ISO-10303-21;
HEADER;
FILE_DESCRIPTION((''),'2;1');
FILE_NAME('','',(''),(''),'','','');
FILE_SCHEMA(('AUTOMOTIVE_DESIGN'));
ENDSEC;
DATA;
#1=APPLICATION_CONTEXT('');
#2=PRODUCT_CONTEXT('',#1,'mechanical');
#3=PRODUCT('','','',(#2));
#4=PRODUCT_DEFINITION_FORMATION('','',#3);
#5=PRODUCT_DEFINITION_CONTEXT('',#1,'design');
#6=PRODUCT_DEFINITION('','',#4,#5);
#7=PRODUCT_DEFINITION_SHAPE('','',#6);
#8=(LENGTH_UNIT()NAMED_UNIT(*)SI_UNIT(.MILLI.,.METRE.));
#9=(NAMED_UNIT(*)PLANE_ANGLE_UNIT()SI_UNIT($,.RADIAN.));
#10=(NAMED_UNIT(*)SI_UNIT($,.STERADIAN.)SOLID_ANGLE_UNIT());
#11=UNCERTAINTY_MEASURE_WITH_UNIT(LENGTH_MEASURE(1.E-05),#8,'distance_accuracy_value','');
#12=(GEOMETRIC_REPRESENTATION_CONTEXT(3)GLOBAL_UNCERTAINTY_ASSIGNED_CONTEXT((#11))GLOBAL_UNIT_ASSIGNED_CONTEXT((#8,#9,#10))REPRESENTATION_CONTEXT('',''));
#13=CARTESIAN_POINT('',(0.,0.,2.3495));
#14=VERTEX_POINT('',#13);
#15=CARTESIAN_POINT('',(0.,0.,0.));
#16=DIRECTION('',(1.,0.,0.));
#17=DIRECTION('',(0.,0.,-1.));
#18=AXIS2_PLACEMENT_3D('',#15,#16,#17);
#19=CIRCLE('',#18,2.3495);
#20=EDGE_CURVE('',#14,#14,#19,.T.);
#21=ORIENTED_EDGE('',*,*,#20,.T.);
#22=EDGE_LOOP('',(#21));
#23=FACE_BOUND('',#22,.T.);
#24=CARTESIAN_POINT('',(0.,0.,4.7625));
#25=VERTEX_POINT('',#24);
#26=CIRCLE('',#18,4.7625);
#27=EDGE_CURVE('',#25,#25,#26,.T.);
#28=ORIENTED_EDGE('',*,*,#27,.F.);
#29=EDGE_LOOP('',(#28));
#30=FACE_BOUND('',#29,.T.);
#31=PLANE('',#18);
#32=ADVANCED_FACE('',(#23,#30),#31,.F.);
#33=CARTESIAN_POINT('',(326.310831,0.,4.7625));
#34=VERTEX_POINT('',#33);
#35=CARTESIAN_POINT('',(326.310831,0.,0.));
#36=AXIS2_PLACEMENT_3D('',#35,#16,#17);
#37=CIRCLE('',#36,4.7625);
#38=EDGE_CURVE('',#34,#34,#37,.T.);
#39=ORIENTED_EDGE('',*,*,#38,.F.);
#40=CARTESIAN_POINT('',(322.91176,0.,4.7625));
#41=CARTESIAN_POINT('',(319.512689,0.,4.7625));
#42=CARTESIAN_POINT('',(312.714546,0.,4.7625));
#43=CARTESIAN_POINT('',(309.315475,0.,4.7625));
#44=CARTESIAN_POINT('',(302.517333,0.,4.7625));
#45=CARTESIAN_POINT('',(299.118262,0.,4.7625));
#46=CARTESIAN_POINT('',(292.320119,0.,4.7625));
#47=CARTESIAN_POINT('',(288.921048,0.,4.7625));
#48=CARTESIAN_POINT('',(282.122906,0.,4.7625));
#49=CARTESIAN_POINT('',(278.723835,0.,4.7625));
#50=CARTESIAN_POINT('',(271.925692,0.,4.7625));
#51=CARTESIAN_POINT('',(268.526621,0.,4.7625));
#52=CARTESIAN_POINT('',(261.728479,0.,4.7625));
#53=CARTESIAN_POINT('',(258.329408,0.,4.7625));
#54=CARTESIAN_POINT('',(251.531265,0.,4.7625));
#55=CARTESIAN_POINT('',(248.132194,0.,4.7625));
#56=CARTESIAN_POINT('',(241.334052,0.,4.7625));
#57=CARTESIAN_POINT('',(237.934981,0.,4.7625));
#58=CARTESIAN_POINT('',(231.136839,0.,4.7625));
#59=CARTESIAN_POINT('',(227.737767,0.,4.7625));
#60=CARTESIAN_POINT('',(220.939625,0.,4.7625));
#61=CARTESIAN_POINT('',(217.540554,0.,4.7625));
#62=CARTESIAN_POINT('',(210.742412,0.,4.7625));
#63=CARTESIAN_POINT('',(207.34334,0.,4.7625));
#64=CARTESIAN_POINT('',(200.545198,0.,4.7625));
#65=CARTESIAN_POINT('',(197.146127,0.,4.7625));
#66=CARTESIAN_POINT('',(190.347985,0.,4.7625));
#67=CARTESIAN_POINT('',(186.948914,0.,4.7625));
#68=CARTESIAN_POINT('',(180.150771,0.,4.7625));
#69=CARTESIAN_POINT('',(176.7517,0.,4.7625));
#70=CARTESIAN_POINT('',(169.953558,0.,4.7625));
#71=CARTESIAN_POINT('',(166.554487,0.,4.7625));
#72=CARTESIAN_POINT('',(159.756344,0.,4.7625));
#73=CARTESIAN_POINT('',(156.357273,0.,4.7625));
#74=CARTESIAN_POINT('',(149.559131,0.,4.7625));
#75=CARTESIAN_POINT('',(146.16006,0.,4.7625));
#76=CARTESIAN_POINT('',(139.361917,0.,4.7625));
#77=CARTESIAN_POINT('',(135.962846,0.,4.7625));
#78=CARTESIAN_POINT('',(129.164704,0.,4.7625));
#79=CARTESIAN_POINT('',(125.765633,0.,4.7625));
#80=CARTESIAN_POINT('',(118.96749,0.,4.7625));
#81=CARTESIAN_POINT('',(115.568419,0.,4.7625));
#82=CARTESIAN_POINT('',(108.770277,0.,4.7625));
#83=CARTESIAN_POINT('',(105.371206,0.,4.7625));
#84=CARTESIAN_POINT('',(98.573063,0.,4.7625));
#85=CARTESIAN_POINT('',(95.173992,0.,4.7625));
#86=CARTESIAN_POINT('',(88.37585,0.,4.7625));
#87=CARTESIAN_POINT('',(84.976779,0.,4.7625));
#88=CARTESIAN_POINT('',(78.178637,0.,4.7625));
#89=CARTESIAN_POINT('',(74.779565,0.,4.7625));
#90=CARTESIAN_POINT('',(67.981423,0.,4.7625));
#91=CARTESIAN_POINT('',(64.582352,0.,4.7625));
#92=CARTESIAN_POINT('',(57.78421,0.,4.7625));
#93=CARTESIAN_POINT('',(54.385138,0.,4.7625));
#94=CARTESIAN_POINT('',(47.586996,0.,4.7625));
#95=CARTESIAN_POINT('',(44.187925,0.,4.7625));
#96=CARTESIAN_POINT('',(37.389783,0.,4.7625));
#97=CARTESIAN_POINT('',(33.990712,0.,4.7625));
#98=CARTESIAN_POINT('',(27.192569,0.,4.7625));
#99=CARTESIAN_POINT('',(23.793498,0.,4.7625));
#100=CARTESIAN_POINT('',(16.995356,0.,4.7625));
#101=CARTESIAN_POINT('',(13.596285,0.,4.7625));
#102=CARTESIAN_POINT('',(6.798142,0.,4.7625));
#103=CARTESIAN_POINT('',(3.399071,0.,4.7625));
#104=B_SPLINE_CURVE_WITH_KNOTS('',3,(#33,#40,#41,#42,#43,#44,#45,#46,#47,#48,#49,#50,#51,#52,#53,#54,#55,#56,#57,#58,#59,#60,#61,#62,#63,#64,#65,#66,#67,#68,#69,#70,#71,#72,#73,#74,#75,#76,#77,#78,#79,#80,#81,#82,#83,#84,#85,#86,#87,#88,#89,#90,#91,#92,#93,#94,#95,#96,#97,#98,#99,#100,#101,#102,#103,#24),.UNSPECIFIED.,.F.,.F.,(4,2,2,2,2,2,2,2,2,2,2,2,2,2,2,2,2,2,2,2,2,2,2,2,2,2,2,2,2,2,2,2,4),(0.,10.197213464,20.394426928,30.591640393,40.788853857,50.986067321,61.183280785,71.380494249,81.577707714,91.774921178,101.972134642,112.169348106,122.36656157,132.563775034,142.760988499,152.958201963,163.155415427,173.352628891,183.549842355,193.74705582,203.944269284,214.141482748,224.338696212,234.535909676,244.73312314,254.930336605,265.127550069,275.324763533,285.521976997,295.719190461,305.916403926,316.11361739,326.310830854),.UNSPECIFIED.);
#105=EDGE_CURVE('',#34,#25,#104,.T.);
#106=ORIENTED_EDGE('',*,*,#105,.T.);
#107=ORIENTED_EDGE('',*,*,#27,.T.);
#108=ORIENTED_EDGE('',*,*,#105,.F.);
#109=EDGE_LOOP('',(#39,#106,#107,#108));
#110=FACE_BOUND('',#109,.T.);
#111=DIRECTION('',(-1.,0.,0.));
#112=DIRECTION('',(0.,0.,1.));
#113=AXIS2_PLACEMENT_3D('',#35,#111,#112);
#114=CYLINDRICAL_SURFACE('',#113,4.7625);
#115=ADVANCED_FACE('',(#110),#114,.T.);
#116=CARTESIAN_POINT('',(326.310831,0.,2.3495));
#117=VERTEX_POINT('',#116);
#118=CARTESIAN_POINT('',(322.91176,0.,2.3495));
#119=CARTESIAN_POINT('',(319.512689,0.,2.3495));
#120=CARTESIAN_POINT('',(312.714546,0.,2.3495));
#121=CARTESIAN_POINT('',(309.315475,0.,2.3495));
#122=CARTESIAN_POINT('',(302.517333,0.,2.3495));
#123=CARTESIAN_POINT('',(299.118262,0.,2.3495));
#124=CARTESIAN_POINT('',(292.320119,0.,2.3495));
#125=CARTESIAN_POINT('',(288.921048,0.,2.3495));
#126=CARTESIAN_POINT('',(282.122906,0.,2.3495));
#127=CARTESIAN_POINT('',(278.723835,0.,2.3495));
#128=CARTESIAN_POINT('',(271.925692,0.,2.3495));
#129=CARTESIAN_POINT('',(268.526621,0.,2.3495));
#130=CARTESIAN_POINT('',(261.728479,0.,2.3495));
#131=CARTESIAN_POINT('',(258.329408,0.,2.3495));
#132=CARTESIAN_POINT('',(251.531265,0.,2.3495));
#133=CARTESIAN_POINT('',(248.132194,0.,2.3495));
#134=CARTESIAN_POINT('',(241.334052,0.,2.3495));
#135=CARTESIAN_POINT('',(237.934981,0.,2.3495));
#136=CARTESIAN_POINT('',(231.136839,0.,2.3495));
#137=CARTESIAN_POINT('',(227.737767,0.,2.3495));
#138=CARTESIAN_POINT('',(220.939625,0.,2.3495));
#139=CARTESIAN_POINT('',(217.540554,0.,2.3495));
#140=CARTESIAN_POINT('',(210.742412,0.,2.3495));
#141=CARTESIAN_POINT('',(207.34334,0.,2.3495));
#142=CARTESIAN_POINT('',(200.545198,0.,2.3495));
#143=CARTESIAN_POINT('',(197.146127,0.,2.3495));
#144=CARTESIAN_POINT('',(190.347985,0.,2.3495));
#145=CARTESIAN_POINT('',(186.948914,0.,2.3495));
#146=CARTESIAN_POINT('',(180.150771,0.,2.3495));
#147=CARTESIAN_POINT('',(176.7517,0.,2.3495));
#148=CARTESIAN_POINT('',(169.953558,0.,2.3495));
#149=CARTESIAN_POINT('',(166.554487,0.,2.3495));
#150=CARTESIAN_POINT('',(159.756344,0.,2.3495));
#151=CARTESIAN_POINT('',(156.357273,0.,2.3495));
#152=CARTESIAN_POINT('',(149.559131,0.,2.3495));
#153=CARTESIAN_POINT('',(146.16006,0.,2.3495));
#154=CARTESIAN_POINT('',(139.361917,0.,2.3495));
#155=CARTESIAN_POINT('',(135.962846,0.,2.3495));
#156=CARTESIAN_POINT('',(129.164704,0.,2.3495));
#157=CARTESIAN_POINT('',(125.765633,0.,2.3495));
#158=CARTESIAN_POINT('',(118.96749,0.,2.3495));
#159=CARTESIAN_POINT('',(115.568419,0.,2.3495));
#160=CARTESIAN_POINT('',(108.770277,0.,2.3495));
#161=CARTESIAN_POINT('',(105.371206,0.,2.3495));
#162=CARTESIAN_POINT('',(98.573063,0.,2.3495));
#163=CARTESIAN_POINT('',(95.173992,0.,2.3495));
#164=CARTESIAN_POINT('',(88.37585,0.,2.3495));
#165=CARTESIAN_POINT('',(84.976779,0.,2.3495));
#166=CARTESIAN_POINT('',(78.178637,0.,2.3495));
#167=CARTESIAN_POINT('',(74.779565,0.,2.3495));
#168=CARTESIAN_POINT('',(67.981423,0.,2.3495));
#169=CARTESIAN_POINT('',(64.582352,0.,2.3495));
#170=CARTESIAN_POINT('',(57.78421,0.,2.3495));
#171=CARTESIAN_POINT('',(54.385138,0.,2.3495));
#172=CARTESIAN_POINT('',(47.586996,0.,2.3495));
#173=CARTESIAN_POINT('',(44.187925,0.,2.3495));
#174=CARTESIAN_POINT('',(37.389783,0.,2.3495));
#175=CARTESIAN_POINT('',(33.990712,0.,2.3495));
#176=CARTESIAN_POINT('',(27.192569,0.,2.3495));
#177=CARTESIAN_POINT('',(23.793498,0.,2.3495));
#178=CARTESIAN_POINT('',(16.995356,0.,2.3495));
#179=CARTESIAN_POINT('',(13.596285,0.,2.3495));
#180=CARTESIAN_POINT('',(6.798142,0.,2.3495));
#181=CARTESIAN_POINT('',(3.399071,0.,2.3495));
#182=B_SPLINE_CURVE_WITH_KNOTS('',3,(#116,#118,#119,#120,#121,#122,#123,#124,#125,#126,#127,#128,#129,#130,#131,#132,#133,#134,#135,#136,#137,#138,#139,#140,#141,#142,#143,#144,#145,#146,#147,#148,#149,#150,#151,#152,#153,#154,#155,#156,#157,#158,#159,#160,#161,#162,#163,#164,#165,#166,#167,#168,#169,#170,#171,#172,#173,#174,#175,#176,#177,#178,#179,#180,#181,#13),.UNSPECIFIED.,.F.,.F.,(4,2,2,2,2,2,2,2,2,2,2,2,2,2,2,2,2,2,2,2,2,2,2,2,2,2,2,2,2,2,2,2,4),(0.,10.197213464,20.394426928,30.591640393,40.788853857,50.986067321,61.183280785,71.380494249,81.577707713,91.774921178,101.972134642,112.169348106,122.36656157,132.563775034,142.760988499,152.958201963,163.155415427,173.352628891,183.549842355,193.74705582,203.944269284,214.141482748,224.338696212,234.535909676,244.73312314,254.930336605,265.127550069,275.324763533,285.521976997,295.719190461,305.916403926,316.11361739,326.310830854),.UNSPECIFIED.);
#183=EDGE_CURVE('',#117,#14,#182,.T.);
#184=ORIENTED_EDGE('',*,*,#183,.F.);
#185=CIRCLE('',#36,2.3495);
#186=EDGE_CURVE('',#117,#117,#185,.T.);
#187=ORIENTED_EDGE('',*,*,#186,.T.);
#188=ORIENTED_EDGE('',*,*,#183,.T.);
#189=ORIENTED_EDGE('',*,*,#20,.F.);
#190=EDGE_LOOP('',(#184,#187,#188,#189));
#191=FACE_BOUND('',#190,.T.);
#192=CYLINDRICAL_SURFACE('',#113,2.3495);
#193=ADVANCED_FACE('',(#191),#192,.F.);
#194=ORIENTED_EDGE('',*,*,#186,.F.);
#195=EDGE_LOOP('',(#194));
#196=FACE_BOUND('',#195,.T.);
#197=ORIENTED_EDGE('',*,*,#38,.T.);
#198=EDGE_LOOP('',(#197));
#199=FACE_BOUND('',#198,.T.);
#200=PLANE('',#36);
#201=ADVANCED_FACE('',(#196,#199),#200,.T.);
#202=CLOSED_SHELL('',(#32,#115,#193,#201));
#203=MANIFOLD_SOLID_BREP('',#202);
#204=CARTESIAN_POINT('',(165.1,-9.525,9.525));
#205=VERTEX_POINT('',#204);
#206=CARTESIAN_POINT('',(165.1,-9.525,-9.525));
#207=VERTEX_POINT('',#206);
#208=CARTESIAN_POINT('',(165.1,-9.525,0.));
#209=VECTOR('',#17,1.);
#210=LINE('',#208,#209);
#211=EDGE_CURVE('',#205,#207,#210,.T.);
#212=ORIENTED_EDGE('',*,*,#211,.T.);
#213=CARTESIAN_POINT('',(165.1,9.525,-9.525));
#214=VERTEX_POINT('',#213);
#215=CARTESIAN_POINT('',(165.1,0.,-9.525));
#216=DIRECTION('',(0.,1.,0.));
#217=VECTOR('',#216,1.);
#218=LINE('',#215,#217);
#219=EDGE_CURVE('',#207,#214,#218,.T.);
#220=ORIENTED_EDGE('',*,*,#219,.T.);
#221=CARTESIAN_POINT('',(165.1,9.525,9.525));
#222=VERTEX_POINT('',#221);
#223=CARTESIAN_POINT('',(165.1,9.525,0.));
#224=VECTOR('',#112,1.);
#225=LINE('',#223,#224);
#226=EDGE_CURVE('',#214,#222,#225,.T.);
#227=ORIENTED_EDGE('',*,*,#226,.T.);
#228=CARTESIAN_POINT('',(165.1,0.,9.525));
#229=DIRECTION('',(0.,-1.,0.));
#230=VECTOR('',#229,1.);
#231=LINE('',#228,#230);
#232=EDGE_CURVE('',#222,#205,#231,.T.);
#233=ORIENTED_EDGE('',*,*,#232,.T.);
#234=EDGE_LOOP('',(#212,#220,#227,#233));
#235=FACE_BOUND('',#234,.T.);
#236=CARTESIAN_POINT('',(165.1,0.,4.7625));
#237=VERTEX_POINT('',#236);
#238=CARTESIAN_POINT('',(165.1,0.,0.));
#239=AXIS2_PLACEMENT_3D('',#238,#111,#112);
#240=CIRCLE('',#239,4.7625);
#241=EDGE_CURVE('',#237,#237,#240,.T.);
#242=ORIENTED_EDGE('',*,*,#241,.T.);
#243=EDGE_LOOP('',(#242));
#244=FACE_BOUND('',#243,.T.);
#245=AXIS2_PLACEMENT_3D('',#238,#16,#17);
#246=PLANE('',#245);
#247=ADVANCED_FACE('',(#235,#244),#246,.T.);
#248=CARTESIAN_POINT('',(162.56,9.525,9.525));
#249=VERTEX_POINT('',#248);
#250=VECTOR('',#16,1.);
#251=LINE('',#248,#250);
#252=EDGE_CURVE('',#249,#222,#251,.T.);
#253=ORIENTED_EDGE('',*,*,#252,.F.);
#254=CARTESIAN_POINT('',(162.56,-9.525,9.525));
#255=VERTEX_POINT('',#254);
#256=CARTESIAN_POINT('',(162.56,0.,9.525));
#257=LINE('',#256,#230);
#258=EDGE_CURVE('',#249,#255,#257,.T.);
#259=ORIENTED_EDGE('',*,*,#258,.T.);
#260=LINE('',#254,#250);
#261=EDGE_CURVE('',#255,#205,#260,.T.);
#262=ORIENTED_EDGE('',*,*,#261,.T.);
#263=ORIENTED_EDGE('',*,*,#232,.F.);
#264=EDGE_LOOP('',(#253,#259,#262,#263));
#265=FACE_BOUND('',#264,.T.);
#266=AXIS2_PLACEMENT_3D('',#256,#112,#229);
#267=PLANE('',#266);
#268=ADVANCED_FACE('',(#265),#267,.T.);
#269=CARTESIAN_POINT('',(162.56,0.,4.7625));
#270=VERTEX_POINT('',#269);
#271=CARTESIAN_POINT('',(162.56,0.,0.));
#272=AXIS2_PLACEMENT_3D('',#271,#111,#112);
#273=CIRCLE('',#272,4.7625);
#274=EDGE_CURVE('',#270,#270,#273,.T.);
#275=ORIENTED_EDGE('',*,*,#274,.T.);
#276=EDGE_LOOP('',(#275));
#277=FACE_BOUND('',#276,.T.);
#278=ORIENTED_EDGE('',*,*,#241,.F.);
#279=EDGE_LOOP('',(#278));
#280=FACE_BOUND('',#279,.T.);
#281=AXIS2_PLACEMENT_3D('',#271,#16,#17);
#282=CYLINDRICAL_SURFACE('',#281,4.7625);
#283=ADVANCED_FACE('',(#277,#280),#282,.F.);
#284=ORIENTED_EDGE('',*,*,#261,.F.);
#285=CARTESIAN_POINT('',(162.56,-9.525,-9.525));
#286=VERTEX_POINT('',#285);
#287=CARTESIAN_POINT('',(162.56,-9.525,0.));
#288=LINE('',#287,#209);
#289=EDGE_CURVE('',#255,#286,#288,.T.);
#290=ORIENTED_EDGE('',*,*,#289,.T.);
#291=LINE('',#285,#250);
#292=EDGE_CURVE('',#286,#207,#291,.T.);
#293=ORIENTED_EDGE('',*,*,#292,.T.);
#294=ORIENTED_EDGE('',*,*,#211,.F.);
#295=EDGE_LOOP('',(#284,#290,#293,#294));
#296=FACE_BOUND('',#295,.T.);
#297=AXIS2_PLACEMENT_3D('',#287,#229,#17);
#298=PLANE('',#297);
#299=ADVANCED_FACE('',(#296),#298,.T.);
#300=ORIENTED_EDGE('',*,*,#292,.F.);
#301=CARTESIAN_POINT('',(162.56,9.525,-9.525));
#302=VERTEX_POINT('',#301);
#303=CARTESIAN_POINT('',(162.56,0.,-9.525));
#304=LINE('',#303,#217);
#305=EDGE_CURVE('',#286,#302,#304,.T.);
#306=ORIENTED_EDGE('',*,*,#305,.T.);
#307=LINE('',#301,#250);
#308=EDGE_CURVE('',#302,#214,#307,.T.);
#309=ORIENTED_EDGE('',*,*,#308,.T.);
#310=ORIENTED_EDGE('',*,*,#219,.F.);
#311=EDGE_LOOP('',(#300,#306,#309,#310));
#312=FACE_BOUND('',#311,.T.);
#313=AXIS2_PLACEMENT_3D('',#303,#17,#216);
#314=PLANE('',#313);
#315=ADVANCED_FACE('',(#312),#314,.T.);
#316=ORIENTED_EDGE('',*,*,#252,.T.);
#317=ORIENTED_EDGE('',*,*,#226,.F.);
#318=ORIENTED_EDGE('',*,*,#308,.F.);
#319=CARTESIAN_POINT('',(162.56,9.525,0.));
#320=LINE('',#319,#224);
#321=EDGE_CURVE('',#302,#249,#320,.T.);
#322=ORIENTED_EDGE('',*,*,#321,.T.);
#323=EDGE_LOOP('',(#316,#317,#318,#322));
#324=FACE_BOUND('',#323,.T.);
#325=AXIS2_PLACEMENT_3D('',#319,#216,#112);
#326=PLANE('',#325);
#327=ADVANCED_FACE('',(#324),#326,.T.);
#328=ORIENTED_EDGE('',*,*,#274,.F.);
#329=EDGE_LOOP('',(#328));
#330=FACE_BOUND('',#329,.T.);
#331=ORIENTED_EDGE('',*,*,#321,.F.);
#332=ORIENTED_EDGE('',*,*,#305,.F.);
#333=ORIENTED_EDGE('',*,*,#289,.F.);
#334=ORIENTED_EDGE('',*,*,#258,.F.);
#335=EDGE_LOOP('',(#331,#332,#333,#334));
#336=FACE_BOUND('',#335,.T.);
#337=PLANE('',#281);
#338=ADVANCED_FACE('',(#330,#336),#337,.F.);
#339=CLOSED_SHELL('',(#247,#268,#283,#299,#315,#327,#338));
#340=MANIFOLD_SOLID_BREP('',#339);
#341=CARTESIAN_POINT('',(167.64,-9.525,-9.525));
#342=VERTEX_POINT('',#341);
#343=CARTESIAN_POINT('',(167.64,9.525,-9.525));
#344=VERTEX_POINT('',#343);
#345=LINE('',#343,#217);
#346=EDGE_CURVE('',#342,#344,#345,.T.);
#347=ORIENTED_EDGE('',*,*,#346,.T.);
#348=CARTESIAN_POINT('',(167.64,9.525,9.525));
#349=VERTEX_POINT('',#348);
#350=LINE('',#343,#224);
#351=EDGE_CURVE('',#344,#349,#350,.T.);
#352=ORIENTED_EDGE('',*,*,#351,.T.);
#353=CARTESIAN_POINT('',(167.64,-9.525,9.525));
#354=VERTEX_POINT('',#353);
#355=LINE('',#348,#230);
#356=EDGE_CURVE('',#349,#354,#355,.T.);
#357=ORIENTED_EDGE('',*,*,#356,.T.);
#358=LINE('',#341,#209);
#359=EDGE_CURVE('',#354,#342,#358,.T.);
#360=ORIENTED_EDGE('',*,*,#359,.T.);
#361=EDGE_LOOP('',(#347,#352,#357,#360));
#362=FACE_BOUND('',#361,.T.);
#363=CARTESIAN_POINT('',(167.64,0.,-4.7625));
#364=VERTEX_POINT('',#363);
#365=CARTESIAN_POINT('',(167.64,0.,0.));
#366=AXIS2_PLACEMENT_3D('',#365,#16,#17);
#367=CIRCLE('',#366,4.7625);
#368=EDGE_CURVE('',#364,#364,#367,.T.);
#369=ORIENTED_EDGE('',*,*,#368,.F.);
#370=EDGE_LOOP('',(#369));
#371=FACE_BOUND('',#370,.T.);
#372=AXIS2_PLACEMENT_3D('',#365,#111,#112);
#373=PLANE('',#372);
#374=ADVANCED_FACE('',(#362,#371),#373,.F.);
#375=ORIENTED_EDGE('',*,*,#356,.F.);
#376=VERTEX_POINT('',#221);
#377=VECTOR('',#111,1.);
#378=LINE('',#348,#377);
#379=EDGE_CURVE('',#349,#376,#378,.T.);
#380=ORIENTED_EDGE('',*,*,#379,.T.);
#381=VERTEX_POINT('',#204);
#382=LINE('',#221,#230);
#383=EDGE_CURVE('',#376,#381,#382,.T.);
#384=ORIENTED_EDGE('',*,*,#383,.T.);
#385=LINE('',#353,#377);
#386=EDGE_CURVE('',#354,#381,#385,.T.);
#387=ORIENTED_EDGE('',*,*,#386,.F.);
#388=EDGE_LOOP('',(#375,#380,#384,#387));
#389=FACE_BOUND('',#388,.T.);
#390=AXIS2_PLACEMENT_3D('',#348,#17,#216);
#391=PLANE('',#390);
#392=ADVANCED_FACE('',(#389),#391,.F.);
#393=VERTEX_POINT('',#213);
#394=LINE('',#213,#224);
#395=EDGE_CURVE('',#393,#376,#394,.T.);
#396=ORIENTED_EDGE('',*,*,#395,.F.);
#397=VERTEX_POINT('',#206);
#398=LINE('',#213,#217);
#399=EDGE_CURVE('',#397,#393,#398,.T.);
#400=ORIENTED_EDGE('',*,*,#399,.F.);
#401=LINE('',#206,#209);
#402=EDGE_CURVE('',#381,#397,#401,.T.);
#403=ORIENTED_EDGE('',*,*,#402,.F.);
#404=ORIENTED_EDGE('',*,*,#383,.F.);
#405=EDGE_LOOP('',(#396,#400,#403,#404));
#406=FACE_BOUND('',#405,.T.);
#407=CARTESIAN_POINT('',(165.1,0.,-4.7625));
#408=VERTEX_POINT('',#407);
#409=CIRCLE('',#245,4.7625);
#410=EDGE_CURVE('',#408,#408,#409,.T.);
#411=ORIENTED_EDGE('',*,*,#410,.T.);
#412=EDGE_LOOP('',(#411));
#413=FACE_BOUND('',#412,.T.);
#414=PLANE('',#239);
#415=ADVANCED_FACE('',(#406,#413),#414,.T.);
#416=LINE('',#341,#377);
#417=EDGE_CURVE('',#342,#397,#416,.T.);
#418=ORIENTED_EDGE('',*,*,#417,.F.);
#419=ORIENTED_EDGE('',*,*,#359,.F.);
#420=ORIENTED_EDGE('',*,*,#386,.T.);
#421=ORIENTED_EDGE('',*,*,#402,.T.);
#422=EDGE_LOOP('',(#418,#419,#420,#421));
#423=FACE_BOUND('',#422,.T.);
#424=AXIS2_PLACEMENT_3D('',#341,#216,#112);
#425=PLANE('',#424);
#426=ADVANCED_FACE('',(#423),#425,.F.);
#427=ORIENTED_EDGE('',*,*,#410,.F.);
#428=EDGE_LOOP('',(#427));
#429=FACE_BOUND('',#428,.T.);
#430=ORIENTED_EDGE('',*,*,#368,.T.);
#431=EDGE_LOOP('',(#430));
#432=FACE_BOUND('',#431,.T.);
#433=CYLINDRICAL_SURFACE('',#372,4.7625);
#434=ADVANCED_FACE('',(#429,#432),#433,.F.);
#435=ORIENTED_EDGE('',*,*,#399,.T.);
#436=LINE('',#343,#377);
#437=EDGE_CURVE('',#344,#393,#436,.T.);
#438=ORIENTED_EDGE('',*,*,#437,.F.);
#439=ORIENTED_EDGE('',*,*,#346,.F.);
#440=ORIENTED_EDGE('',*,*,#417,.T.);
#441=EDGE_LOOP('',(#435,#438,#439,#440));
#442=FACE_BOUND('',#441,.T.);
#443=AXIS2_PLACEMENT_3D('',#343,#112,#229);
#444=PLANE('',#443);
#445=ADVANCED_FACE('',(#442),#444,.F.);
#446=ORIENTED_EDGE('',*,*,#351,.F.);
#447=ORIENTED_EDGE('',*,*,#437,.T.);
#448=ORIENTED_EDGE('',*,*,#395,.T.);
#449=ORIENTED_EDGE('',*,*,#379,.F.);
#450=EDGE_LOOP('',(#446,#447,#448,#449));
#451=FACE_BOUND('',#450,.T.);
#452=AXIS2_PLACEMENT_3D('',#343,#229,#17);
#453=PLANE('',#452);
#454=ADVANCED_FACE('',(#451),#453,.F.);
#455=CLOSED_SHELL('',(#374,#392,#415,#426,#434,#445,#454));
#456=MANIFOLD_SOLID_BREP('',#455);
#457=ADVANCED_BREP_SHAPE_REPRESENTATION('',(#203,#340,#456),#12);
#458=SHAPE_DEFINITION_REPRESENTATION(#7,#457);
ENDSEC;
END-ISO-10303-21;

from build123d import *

# Parameters (mm, degrees)
SKETCH1_R                 = 4.7625
SKETCH1_R_2               = 2.3495
STEERING_ROD_MEMBER_DEPTH = 326.310830854
STEERING_START            = 165.1
SKETCH2_W                 = 19.05
SKETCH2_H                 = 19.05
SKETCH2_R                 = 4.7625
STEERING_ROD_NUT_1_DEPTH  = 2.54
SKETCH3_W                 = 19.05
SKETCH3_H                 = 19.05
SKETCH3_R                 = 4.7625
STEERING_ROD_NUT_2_DEPTH  = 2.54


with BuildPart() as part:
    # Sketch1 → Steering Rod Member (new body)
    with BuildSketch(Plane.YZ):
        Circle(SKETCH1_R)
        Circle(SKETCH1_R_2, mode=Mode.SUBTRACT)
    extrude(amount=STEERING_ROD_MEMBER_DEPTH)


with BuildPart() as body_2:
    # Sketch2 → Steering Rod Nut 1 (new body)
    with BuildSketch(Plane(origin=(0, 0, 0), x_dir=(0, 0, -1), z_dir=(1, 0, 0)).offset(STEERING_START)):
        Rectangle(SKETCH2_W, SKETCH2_H)
        Circle(SKETCH2_R, mode=Mode.SUBTRACT)
    extrude(amount=STEERING_ROD_NUT_1_DEPTH)


with BuildPart() as body_3:
    # Sketch3 → Steering Rod Nut 2 (new body)
    with BuildSketch(Plane(origin=(0, 0, 0), x_dir=(0, 0, -1), z_dir=(1, 0, 0)).offset(STEERING_START)):
        Rectangle(SKETCH3_W, SKETCH3_H)
        with Locations(Location((0, 0, 0), (0, 0, 180))):
            Circle(SKETCH3_R, mode=Mode.SUBTRACT)
    extrude(amount=-STEERING_ROD_NUT_2_DEPTH)


solid = Compound([part.part, body_2.part, body_3.part])
